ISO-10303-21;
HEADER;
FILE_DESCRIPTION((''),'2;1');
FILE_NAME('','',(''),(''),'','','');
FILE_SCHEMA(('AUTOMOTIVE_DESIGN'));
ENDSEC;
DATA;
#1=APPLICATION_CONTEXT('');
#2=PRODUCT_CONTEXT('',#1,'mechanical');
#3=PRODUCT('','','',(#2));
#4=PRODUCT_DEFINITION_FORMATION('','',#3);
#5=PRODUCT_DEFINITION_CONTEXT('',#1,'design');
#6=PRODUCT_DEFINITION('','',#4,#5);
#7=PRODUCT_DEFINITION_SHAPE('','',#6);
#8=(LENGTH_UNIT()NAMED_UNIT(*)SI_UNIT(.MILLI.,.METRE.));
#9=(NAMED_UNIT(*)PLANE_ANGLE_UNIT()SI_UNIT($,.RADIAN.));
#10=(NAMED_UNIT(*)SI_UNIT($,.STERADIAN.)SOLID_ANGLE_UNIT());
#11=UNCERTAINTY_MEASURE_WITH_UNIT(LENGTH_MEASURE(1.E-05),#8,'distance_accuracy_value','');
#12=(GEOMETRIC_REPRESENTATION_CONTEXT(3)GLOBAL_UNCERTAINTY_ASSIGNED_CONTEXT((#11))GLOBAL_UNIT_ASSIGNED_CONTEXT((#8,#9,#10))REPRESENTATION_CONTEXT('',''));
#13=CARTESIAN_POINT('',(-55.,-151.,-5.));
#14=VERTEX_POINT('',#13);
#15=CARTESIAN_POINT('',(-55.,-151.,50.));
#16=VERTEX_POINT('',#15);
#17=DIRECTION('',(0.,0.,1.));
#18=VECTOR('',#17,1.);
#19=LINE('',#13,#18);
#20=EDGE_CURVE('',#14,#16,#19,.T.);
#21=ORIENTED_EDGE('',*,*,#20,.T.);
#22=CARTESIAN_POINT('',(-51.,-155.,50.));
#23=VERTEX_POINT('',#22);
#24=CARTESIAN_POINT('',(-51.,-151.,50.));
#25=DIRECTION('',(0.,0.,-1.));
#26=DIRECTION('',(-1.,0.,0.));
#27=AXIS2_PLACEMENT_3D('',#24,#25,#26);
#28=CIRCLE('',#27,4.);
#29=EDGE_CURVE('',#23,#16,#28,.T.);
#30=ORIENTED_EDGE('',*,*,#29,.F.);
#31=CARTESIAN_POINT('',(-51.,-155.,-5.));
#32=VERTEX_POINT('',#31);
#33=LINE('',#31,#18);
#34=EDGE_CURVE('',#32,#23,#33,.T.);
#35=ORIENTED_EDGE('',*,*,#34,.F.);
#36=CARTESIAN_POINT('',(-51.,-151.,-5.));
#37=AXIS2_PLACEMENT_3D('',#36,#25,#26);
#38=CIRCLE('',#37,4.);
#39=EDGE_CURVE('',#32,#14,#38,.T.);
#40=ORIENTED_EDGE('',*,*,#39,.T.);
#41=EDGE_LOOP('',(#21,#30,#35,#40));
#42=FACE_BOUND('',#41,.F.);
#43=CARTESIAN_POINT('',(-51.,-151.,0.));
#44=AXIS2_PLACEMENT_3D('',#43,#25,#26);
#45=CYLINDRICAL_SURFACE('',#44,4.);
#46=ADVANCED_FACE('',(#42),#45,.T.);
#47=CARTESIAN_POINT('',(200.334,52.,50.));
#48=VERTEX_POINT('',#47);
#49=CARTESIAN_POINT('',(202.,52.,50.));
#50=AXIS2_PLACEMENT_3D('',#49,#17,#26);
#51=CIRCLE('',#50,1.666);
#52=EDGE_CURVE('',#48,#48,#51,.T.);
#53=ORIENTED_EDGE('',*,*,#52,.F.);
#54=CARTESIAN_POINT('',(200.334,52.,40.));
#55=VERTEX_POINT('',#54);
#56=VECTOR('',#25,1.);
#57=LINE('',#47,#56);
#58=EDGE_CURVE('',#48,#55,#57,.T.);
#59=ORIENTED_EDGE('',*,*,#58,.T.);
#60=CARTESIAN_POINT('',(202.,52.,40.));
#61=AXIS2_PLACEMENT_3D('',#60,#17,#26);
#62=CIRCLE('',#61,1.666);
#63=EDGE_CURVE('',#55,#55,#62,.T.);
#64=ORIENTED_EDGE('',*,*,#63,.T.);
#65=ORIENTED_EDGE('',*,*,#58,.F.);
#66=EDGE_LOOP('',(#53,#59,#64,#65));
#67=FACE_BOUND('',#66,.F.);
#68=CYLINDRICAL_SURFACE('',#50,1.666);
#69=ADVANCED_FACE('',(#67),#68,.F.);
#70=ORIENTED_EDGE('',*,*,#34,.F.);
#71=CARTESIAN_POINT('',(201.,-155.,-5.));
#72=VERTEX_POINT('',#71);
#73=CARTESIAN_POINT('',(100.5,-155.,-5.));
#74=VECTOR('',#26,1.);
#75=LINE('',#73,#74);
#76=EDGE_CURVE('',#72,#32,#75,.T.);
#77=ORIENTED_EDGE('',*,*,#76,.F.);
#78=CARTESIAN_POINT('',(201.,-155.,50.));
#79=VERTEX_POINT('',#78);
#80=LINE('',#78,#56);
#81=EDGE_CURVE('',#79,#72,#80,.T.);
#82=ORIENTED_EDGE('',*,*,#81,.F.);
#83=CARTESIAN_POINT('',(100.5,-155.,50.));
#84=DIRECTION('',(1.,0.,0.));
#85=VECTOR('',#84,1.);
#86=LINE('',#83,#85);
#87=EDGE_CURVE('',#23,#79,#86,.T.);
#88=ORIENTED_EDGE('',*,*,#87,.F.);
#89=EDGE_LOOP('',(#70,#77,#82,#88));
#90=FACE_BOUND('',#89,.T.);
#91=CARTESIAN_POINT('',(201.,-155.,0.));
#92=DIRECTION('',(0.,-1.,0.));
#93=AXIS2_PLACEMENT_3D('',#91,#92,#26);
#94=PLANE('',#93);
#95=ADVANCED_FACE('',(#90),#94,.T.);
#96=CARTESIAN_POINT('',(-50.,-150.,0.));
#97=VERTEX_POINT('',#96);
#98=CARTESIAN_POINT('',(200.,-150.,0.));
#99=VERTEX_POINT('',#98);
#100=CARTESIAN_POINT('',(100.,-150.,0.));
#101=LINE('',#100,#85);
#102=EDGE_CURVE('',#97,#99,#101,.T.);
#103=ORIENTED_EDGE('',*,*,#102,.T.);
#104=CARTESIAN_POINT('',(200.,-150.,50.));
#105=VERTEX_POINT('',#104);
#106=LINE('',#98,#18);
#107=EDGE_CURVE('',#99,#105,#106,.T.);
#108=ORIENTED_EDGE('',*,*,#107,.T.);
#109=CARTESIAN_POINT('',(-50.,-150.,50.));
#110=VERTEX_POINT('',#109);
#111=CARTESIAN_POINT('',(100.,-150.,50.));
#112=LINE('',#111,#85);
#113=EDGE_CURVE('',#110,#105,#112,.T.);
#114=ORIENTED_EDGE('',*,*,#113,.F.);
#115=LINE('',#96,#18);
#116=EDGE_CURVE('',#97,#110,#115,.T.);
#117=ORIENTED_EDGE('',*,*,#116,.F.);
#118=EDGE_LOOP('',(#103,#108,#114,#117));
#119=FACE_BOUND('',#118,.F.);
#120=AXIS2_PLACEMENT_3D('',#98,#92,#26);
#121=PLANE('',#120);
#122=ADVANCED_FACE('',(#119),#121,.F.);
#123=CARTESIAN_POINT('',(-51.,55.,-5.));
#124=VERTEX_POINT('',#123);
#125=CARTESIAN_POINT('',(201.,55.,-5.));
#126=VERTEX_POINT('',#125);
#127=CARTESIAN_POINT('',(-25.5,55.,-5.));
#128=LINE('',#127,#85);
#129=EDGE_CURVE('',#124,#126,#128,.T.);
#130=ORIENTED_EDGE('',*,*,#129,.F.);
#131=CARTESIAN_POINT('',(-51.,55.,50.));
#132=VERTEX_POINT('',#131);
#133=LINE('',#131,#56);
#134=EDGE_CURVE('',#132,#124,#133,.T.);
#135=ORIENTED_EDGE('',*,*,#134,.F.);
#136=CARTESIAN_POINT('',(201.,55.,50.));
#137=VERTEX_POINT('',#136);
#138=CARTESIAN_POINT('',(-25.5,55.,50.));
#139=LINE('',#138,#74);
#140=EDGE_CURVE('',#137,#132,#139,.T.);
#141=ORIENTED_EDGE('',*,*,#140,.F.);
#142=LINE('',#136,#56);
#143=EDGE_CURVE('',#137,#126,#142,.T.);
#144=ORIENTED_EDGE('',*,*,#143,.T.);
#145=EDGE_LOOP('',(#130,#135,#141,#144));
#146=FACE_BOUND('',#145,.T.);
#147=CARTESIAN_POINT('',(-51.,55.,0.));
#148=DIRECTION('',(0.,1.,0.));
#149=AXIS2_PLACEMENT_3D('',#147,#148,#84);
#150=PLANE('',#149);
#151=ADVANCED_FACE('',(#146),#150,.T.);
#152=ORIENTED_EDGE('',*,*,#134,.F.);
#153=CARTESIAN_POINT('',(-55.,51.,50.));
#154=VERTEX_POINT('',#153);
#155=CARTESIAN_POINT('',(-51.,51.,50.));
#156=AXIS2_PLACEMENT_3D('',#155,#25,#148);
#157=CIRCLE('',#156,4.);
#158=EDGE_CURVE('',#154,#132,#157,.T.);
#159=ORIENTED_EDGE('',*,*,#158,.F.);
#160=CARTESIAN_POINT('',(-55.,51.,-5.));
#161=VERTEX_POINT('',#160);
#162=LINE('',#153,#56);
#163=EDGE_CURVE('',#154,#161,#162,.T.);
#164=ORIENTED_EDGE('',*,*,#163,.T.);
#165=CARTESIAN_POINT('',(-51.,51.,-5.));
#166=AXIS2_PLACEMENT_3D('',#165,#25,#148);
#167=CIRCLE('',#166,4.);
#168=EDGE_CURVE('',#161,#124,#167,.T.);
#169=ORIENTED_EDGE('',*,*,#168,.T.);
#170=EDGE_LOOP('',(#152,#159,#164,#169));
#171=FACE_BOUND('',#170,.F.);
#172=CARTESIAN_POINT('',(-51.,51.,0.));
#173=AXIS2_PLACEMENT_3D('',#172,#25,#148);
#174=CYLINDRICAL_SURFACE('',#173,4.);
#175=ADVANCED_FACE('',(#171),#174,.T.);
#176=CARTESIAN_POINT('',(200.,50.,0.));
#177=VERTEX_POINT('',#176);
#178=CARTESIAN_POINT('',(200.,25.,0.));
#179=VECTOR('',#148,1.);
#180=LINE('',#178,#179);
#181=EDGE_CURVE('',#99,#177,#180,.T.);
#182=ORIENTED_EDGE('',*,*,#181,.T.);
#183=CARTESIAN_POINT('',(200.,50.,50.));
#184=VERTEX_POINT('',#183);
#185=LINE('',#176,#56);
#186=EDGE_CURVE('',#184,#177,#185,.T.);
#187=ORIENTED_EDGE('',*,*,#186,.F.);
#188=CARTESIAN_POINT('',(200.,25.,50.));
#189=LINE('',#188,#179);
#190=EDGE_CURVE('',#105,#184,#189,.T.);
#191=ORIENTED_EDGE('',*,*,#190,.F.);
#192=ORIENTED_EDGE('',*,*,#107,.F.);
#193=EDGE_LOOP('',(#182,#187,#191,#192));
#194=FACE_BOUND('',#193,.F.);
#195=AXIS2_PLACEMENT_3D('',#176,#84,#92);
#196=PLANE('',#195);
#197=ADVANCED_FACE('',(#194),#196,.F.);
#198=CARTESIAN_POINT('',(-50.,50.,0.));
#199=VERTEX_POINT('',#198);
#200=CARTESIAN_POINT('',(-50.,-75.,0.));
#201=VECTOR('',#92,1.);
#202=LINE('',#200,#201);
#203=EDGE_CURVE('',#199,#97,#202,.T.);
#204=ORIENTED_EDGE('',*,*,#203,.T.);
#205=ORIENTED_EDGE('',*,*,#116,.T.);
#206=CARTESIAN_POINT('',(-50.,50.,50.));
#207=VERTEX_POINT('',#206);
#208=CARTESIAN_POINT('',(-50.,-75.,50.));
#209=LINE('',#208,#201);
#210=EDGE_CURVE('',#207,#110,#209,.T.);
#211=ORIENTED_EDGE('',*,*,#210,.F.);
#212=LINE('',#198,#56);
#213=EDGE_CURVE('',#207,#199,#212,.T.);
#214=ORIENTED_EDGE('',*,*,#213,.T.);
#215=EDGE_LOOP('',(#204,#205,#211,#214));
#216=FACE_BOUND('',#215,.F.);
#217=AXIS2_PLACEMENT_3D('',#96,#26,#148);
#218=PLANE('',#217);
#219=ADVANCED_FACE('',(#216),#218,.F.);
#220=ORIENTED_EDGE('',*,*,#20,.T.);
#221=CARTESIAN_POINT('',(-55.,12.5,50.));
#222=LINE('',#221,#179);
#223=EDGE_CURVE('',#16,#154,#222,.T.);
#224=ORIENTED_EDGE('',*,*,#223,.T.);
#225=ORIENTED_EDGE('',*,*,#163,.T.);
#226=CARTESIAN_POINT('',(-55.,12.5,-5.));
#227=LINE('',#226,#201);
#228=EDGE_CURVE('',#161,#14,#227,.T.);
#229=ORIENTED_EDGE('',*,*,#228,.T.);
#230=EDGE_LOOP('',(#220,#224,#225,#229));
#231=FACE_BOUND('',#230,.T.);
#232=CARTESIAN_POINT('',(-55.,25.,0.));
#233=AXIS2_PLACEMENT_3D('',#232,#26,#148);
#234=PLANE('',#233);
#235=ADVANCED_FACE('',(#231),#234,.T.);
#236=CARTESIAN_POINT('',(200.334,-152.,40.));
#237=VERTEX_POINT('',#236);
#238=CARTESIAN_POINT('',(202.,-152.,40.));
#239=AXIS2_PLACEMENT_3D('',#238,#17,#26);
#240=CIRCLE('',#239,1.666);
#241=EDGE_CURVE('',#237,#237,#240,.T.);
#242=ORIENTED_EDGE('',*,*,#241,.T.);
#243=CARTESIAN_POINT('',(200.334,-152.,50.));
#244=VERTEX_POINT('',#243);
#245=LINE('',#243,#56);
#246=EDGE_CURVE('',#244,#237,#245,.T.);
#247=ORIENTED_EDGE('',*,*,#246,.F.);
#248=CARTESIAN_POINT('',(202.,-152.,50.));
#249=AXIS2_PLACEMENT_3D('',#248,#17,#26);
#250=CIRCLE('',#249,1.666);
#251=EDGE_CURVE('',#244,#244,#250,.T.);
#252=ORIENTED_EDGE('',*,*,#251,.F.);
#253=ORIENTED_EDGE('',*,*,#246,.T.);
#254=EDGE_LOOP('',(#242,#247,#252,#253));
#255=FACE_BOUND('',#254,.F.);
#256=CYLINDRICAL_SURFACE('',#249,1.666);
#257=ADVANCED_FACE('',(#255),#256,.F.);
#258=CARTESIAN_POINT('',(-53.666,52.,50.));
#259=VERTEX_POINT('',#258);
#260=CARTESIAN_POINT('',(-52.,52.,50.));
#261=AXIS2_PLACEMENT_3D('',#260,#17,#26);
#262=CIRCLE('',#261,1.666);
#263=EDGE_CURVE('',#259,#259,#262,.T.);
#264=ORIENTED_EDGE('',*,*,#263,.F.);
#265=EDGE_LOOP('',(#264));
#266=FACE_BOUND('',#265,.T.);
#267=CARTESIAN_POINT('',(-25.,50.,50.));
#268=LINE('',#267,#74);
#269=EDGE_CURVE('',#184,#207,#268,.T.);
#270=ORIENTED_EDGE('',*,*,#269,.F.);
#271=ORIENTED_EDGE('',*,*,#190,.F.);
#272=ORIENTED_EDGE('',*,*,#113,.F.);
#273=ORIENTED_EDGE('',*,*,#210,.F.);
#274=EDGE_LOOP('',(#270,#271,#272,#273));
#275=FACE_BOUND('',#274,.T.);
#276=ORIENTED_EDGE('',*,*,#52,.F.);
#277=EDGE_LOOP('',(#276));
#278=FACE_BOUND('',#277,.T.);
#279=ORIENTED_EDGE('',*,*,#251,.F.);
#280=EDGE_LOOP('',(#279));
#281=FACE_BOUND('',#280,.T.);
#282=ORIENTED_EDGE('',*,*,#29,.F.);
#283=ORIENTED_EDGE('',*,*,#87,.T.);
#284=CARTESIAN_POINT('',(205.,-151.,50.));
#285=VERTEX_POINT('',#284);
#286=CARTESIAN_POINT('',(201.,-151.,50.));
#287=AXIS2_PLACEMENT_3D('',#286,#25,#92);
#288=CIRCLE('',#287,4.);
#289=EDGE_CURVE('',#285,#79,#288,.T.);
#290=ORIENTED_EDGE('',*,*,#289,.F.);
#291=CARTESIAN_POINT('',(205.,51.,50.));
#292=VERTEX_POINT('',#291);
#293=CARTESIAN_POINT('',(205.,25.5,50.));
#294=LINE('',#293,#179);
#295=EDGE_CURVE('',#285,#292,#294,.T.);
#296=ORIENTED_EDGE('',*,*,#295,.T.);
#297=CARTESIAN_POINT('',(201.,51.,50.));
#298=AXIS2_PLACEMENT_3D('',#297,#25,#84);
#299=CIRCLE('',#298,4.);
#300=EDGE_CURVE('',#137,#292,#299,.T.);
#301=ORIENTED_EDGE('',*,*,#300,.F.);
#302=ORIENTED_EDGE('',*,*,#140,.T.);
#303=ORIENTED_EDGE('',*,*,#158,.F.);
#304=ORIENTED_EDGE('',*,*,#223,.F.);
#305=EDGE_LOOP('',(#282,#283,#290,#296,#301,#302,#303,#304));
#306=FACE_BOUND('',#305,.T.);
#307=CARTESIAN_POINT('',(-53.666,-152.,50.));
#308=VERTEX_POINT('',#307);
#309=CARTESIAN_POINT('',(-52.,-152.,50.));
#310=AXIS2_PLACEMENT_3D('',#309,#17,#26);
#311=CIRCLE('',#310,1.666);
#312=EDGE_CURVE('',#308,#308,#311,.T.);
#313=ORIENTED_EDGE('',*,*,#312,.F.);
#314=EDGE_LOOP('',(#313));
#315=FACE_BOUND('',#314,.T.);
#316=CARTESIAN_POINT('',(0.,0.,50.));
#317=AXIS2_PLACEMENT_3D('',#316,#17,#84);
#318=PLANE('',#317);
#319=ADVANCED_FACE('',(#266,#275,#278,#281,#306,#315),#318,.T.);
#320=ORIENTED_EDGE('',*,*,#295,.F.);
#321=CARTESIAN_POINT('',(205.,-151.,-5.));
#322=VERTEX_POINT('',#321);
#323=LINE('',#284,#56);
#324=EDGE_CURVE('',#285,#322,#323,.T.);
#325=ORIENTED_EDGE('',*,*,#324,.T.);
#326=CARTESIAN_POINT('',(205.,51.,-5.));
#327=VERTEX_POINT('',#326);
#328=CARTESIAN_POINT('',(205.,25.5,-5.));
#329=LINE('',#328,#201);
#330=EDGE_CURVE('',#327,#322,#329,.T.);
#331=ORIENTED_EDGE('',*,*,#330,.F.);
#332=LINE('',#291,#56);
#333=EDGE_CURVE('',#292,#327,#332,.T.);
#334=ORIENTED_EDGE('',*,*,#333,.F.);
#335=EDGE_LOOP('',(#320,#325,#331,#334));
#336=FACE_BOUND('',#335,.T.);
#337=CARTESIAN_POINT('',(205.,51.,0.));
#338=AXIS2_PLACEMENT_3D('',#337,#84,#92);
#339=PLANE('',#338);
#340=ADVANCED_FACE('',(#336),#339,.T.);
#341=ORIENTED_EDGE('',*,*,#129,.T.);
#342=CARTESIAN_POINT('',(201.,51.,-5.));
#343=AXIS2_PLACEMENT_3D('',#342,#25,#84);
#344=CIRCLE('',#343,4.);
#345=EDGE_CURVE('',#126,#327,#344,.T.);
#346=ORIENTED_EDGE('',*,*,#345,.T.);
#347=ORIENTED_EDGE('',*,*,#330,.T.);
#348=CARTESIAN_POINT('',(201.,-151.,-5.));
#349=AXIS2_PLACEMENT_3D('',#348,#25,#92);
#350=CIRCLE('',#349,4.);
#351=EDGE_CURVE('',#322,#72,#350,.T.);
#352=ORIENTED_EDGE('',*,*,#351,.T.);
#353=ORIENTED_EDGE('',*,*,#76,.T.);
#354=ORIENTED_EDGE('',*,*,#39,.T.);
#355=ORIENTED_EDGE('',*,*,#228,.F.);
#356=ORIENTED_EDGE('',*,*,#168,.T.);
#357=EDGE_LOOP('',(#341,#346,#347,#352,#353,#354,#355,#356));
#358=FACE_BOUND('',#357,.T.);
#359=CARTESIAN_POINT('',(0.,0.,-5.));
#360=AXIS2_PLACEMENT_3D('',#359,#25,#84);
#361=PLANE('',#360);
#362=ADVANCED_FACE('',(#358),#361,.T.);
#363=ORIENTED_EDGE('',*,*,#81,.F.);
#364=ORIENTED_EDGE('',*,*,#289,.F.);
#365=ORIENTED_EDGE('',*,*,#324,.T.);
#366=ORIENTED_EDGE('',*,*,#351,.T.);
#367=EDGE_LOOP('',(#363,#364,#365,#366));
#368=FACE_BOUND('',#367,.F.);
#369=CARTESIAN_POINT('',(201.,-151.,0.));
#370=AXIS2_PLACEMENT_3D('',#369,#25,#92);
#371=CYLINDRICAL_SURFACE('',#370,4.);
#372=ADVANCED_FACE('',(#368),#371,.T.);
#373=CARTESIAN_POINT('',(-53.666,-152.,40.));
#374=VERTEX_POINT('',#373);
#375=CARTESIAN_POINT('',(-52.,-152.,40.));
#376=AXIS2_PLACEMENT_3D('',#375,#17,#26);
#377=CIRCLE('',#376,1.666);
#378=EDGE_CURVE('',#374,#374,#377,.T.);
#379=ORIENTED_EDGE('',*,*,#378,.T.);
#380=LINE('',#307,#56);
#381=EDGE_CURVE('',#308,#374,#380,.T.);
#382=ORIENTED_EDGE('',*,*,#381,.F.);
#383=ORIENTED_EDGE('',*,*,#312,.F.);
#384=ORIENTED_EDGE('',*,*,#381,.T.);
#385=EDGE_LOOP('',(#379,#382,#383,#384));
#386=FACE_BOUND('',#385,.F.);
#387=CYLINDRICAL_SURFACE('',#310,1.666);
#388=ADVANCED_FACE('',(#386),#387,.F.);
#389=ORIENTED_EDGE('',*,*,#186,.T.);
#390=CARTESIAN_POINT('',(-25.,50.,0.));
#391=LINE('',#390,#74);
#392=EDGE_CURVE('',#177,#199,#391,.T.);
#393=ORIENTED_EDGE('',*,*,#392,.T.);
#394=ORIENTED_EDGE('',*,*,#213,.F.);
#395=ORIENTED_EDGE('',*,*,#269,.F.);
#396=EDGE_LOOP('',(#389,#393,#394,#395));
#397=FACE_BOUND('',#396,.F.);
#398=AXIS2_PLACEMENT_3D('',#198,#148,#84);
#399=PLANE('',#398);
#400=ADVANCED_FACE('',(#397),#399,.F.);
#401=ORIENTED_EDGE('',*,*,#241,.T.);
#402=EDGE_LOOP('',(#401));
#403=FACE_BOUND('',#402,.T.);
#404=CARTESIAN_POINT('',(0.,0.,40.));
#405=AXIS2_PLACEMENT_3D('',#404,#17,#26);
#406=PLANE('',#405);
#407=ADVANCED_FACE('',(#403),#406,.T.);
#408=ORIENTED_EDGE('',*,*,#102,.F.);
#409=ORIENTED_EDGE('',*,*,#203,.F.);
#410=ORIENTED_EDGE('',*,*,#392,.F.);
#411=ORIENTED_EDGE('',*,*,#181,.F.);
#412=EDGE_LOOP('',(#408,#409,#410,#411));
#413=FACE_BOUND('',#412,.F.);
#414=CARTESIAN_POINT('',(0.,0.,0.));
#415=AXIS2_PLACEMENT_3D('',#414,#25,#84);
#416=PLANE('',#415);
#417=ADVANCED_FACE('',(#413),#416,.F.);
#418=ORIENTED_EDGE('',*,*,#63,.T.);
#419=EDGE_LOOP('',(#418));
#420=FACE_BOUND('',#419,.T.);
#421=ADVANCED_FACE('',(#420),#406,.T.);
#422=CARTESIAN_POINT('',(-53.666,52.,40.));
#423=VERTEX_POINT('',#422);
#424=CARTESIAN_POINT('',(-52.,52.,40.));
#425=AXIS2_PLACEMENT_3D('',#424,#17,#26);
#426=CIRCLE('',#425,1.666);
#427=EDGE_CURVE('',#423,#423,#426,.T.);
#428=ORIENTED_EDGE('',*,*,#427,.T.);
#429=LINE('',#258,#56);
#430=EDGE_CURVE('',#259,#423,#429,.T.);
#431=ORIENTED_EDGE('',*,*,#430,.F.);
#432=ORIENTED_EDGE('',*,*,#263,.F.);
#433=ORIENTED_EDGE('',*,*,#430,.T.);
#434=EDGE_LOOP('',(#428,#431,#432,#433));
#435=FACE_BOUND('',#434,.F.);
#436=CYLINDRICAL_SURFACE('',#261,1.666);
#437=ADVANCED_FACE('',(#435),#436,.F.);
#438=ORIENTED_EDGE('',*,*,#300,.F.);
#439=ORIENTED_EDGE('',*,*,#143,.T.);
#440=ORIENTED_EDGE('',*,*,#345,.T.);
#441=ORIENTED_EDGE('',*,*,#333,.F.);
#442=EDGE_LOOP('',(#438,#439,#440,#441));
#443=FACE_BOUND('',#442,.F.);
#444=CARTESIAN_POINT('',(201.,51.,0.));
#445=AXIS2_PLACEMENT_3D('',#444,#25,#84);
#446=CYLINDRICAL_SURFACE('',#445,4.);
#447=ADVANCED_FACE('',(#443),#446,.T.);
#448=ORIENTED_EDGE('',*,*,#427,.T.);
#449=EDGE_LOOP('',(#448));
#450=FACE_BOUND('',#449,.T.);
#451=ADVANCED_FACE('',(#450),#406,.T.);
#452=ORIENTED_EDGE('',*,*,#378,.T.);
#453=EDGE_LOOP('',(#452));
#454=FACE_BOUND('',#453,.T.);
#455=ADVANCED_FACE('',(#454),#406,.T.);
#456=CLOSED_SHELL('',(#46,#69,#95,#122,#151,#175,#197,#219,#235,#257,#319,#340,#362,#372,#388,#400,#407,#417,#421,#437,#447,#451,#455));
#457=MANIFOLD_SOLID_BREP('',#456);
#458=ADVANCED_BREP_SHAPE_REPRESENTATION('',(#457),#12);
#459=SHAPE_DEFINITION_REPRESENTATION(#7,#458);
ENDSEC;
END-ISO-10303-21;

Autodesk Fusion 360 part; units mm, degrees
sketch "Sketch1" plane through (0, 0, 0) normal (0, 0, 1) x (1, 0, 0)
  line L0 (-50, 50) -> (200, 50)
  line L1 (200, 50) -> (200, -150)
  line L2 (200, -150) -> (-50, -150)
  line L3 (-50, -150) -> (-50, 50)
  line L4 (-55, 25) -> (-55, 51)
  line L5 (-55, 55) -> (-25, 55)
  line L6 (-51, 55) -> (201, 55)
  line L7 (205, 51) -> (205, -151)
  line L8 (201, -155) -> (-51, -155)
  line L9 (-55, -151) -> (-55, 55)
  arc A0 (-51, 55) -> (-55, 51) centre (-51, 51) ccw
  arc A1 (205, 51) -> (201, 55) centre (201, 51) ccw
  arc A2 (201, -155) -> (205, -151) centre (201, -151) ccw
  arc A3 (-55, -151) -> (-51, -155) centre (-51, -151) ccw
  point P0 (205, 55)
  point P1 (-55, -155)
  dimension "d1" = 250
  dimension "d2" = 200
  dimension "d3" = 260
  dimension "d4" = 210
  dimension "d5" = 4
  dimension "d6" = 4
  dimension "d7" = 4
  dimension "d8" = 4
extrude "Extrude1" add sketch "Sketch1" along normal blind 50 contours L4 L5 L6 L7 L8 L9 A0 A1 A2 A3
sketch "Sketch2" plane through (0, 0, 0) normal (0, 0, -1) x (1, 0, 0)
  line L0 (-50, 150) -> (200, 150)
  line L1 (200, 150) -> (200, -50)
  line L2 (200, -50) -> (-50, -50)
  line L3 (-50, -50) -> (-50, 150)
  line L4 (-55, 151) -> (-55, -51)
  arc A0 (-55, -51) -> (-51, -55) centre (-51, -51) ccw
  line L5 (-51, -55) -> (201, -55)
  arc A1 (201, -55) -> (205, -51) centre (201, -51) ccw
  line L6 (205, -51) -> (205, 151)
  arc A2 (205, 151) -> (201, 155) centre (201, 151) ccw
  line L7 (201, 155) -> (-51, 155)
  arc A3 (-51, 155) -> (-55, 151) centre (-51, 151) ccw
sketch "Sketch3" plane through (0, 0, 0) normal (0, 0, -1) x (1, 0, 0)
  line L0 (-51, 155) -> (201, 155)
  line L1 (205, 151) -> (205, -51)
  line L2 (201, -55) -> (-51, -55)
  line L3 (-55, -51) -> (-55, 151)
  arc A0 (201, -55) -> (205, -51) centre (201, -51) ccw
  arc A1 (205, 151) -> (201, 155) centre (201, 151) ccw
  arc A2 (-51, 155) -> (-55, 151) centre (-51, 151) ccw
  arc A3 (-55, -51) -> (-51, -55) centre (-51, -51) ccw
  dimension "d11" = 4
  dimension "d12" = 4
  dimension "d13" = 4
  dimension "d14" = 4
extrude "Extrude2" add sketch "Sketch3" along normal blind 5
sketch "Sketch4" plane through (0, 0, 50) normal (0, 0, 1) x (-1, 0, 0)
  line L0 (-200, 150) -> (50, 150)
  line L1 (50, 150) -> (50, -50)
  line L2 (50, -50) -> (-200, -50)
  line L3 (-200, -50) -> (-200, 150)
  line L4 (55, -51) -> (55, 151)
  arc A0 (55, 151) -> (51, 155) centre (51, 151) ccw
  line L5 (51, 155) -> (-201, 155)
  arc A1 (-201, 155) -> (-205, 151) centre (-201, 151) ccw
  line L6 (-205, 151) -> (-205, -51)
  arc A2 (-205, -51) -> (-201, -55) centre (-201, -51) ccw
  line L7 (-201, -55) -> (51, -55)
  arc A3 (51, -55) -> (55, -51) centre (51, -51) ccw
  circle A4 centre (52, -52) radius 2
  circle A5 centre (-202, -52) radius 2
  circle A6 centre (-202, 152) radius 2
  circle A7 centre (52, 152) radius 2
  dimension "d17" = 4
  dimension "d18" = 4
  dimension "d19" = 4
extrude "Extrude3" cut sketch "Sketch4" against normal blind 10 contours A4 | A5 | A6 | A7
thread "Thread1" "ISO Metric profile 4.0 M4x0.7 M4x0.7 6H" major diameter 4.1095 minor diameter 3.332 pitch 0.7 angle 60 resizes the face on face at (200.0618, -152.4935, 43.3333)
thread "Thread2" "ISO Metric profile 4.0 M4x0.7 M4x0.7 6H" major diameter 4.1095 minor diameter 3.332 pitch 0.7 angle 60 resizes the face on face at (-52.5417, 50.0748, 43.3333) on face at (200.9149, 50.3199, 43.3333) on face at (-50.0618, -152.4935, 43.3333)
